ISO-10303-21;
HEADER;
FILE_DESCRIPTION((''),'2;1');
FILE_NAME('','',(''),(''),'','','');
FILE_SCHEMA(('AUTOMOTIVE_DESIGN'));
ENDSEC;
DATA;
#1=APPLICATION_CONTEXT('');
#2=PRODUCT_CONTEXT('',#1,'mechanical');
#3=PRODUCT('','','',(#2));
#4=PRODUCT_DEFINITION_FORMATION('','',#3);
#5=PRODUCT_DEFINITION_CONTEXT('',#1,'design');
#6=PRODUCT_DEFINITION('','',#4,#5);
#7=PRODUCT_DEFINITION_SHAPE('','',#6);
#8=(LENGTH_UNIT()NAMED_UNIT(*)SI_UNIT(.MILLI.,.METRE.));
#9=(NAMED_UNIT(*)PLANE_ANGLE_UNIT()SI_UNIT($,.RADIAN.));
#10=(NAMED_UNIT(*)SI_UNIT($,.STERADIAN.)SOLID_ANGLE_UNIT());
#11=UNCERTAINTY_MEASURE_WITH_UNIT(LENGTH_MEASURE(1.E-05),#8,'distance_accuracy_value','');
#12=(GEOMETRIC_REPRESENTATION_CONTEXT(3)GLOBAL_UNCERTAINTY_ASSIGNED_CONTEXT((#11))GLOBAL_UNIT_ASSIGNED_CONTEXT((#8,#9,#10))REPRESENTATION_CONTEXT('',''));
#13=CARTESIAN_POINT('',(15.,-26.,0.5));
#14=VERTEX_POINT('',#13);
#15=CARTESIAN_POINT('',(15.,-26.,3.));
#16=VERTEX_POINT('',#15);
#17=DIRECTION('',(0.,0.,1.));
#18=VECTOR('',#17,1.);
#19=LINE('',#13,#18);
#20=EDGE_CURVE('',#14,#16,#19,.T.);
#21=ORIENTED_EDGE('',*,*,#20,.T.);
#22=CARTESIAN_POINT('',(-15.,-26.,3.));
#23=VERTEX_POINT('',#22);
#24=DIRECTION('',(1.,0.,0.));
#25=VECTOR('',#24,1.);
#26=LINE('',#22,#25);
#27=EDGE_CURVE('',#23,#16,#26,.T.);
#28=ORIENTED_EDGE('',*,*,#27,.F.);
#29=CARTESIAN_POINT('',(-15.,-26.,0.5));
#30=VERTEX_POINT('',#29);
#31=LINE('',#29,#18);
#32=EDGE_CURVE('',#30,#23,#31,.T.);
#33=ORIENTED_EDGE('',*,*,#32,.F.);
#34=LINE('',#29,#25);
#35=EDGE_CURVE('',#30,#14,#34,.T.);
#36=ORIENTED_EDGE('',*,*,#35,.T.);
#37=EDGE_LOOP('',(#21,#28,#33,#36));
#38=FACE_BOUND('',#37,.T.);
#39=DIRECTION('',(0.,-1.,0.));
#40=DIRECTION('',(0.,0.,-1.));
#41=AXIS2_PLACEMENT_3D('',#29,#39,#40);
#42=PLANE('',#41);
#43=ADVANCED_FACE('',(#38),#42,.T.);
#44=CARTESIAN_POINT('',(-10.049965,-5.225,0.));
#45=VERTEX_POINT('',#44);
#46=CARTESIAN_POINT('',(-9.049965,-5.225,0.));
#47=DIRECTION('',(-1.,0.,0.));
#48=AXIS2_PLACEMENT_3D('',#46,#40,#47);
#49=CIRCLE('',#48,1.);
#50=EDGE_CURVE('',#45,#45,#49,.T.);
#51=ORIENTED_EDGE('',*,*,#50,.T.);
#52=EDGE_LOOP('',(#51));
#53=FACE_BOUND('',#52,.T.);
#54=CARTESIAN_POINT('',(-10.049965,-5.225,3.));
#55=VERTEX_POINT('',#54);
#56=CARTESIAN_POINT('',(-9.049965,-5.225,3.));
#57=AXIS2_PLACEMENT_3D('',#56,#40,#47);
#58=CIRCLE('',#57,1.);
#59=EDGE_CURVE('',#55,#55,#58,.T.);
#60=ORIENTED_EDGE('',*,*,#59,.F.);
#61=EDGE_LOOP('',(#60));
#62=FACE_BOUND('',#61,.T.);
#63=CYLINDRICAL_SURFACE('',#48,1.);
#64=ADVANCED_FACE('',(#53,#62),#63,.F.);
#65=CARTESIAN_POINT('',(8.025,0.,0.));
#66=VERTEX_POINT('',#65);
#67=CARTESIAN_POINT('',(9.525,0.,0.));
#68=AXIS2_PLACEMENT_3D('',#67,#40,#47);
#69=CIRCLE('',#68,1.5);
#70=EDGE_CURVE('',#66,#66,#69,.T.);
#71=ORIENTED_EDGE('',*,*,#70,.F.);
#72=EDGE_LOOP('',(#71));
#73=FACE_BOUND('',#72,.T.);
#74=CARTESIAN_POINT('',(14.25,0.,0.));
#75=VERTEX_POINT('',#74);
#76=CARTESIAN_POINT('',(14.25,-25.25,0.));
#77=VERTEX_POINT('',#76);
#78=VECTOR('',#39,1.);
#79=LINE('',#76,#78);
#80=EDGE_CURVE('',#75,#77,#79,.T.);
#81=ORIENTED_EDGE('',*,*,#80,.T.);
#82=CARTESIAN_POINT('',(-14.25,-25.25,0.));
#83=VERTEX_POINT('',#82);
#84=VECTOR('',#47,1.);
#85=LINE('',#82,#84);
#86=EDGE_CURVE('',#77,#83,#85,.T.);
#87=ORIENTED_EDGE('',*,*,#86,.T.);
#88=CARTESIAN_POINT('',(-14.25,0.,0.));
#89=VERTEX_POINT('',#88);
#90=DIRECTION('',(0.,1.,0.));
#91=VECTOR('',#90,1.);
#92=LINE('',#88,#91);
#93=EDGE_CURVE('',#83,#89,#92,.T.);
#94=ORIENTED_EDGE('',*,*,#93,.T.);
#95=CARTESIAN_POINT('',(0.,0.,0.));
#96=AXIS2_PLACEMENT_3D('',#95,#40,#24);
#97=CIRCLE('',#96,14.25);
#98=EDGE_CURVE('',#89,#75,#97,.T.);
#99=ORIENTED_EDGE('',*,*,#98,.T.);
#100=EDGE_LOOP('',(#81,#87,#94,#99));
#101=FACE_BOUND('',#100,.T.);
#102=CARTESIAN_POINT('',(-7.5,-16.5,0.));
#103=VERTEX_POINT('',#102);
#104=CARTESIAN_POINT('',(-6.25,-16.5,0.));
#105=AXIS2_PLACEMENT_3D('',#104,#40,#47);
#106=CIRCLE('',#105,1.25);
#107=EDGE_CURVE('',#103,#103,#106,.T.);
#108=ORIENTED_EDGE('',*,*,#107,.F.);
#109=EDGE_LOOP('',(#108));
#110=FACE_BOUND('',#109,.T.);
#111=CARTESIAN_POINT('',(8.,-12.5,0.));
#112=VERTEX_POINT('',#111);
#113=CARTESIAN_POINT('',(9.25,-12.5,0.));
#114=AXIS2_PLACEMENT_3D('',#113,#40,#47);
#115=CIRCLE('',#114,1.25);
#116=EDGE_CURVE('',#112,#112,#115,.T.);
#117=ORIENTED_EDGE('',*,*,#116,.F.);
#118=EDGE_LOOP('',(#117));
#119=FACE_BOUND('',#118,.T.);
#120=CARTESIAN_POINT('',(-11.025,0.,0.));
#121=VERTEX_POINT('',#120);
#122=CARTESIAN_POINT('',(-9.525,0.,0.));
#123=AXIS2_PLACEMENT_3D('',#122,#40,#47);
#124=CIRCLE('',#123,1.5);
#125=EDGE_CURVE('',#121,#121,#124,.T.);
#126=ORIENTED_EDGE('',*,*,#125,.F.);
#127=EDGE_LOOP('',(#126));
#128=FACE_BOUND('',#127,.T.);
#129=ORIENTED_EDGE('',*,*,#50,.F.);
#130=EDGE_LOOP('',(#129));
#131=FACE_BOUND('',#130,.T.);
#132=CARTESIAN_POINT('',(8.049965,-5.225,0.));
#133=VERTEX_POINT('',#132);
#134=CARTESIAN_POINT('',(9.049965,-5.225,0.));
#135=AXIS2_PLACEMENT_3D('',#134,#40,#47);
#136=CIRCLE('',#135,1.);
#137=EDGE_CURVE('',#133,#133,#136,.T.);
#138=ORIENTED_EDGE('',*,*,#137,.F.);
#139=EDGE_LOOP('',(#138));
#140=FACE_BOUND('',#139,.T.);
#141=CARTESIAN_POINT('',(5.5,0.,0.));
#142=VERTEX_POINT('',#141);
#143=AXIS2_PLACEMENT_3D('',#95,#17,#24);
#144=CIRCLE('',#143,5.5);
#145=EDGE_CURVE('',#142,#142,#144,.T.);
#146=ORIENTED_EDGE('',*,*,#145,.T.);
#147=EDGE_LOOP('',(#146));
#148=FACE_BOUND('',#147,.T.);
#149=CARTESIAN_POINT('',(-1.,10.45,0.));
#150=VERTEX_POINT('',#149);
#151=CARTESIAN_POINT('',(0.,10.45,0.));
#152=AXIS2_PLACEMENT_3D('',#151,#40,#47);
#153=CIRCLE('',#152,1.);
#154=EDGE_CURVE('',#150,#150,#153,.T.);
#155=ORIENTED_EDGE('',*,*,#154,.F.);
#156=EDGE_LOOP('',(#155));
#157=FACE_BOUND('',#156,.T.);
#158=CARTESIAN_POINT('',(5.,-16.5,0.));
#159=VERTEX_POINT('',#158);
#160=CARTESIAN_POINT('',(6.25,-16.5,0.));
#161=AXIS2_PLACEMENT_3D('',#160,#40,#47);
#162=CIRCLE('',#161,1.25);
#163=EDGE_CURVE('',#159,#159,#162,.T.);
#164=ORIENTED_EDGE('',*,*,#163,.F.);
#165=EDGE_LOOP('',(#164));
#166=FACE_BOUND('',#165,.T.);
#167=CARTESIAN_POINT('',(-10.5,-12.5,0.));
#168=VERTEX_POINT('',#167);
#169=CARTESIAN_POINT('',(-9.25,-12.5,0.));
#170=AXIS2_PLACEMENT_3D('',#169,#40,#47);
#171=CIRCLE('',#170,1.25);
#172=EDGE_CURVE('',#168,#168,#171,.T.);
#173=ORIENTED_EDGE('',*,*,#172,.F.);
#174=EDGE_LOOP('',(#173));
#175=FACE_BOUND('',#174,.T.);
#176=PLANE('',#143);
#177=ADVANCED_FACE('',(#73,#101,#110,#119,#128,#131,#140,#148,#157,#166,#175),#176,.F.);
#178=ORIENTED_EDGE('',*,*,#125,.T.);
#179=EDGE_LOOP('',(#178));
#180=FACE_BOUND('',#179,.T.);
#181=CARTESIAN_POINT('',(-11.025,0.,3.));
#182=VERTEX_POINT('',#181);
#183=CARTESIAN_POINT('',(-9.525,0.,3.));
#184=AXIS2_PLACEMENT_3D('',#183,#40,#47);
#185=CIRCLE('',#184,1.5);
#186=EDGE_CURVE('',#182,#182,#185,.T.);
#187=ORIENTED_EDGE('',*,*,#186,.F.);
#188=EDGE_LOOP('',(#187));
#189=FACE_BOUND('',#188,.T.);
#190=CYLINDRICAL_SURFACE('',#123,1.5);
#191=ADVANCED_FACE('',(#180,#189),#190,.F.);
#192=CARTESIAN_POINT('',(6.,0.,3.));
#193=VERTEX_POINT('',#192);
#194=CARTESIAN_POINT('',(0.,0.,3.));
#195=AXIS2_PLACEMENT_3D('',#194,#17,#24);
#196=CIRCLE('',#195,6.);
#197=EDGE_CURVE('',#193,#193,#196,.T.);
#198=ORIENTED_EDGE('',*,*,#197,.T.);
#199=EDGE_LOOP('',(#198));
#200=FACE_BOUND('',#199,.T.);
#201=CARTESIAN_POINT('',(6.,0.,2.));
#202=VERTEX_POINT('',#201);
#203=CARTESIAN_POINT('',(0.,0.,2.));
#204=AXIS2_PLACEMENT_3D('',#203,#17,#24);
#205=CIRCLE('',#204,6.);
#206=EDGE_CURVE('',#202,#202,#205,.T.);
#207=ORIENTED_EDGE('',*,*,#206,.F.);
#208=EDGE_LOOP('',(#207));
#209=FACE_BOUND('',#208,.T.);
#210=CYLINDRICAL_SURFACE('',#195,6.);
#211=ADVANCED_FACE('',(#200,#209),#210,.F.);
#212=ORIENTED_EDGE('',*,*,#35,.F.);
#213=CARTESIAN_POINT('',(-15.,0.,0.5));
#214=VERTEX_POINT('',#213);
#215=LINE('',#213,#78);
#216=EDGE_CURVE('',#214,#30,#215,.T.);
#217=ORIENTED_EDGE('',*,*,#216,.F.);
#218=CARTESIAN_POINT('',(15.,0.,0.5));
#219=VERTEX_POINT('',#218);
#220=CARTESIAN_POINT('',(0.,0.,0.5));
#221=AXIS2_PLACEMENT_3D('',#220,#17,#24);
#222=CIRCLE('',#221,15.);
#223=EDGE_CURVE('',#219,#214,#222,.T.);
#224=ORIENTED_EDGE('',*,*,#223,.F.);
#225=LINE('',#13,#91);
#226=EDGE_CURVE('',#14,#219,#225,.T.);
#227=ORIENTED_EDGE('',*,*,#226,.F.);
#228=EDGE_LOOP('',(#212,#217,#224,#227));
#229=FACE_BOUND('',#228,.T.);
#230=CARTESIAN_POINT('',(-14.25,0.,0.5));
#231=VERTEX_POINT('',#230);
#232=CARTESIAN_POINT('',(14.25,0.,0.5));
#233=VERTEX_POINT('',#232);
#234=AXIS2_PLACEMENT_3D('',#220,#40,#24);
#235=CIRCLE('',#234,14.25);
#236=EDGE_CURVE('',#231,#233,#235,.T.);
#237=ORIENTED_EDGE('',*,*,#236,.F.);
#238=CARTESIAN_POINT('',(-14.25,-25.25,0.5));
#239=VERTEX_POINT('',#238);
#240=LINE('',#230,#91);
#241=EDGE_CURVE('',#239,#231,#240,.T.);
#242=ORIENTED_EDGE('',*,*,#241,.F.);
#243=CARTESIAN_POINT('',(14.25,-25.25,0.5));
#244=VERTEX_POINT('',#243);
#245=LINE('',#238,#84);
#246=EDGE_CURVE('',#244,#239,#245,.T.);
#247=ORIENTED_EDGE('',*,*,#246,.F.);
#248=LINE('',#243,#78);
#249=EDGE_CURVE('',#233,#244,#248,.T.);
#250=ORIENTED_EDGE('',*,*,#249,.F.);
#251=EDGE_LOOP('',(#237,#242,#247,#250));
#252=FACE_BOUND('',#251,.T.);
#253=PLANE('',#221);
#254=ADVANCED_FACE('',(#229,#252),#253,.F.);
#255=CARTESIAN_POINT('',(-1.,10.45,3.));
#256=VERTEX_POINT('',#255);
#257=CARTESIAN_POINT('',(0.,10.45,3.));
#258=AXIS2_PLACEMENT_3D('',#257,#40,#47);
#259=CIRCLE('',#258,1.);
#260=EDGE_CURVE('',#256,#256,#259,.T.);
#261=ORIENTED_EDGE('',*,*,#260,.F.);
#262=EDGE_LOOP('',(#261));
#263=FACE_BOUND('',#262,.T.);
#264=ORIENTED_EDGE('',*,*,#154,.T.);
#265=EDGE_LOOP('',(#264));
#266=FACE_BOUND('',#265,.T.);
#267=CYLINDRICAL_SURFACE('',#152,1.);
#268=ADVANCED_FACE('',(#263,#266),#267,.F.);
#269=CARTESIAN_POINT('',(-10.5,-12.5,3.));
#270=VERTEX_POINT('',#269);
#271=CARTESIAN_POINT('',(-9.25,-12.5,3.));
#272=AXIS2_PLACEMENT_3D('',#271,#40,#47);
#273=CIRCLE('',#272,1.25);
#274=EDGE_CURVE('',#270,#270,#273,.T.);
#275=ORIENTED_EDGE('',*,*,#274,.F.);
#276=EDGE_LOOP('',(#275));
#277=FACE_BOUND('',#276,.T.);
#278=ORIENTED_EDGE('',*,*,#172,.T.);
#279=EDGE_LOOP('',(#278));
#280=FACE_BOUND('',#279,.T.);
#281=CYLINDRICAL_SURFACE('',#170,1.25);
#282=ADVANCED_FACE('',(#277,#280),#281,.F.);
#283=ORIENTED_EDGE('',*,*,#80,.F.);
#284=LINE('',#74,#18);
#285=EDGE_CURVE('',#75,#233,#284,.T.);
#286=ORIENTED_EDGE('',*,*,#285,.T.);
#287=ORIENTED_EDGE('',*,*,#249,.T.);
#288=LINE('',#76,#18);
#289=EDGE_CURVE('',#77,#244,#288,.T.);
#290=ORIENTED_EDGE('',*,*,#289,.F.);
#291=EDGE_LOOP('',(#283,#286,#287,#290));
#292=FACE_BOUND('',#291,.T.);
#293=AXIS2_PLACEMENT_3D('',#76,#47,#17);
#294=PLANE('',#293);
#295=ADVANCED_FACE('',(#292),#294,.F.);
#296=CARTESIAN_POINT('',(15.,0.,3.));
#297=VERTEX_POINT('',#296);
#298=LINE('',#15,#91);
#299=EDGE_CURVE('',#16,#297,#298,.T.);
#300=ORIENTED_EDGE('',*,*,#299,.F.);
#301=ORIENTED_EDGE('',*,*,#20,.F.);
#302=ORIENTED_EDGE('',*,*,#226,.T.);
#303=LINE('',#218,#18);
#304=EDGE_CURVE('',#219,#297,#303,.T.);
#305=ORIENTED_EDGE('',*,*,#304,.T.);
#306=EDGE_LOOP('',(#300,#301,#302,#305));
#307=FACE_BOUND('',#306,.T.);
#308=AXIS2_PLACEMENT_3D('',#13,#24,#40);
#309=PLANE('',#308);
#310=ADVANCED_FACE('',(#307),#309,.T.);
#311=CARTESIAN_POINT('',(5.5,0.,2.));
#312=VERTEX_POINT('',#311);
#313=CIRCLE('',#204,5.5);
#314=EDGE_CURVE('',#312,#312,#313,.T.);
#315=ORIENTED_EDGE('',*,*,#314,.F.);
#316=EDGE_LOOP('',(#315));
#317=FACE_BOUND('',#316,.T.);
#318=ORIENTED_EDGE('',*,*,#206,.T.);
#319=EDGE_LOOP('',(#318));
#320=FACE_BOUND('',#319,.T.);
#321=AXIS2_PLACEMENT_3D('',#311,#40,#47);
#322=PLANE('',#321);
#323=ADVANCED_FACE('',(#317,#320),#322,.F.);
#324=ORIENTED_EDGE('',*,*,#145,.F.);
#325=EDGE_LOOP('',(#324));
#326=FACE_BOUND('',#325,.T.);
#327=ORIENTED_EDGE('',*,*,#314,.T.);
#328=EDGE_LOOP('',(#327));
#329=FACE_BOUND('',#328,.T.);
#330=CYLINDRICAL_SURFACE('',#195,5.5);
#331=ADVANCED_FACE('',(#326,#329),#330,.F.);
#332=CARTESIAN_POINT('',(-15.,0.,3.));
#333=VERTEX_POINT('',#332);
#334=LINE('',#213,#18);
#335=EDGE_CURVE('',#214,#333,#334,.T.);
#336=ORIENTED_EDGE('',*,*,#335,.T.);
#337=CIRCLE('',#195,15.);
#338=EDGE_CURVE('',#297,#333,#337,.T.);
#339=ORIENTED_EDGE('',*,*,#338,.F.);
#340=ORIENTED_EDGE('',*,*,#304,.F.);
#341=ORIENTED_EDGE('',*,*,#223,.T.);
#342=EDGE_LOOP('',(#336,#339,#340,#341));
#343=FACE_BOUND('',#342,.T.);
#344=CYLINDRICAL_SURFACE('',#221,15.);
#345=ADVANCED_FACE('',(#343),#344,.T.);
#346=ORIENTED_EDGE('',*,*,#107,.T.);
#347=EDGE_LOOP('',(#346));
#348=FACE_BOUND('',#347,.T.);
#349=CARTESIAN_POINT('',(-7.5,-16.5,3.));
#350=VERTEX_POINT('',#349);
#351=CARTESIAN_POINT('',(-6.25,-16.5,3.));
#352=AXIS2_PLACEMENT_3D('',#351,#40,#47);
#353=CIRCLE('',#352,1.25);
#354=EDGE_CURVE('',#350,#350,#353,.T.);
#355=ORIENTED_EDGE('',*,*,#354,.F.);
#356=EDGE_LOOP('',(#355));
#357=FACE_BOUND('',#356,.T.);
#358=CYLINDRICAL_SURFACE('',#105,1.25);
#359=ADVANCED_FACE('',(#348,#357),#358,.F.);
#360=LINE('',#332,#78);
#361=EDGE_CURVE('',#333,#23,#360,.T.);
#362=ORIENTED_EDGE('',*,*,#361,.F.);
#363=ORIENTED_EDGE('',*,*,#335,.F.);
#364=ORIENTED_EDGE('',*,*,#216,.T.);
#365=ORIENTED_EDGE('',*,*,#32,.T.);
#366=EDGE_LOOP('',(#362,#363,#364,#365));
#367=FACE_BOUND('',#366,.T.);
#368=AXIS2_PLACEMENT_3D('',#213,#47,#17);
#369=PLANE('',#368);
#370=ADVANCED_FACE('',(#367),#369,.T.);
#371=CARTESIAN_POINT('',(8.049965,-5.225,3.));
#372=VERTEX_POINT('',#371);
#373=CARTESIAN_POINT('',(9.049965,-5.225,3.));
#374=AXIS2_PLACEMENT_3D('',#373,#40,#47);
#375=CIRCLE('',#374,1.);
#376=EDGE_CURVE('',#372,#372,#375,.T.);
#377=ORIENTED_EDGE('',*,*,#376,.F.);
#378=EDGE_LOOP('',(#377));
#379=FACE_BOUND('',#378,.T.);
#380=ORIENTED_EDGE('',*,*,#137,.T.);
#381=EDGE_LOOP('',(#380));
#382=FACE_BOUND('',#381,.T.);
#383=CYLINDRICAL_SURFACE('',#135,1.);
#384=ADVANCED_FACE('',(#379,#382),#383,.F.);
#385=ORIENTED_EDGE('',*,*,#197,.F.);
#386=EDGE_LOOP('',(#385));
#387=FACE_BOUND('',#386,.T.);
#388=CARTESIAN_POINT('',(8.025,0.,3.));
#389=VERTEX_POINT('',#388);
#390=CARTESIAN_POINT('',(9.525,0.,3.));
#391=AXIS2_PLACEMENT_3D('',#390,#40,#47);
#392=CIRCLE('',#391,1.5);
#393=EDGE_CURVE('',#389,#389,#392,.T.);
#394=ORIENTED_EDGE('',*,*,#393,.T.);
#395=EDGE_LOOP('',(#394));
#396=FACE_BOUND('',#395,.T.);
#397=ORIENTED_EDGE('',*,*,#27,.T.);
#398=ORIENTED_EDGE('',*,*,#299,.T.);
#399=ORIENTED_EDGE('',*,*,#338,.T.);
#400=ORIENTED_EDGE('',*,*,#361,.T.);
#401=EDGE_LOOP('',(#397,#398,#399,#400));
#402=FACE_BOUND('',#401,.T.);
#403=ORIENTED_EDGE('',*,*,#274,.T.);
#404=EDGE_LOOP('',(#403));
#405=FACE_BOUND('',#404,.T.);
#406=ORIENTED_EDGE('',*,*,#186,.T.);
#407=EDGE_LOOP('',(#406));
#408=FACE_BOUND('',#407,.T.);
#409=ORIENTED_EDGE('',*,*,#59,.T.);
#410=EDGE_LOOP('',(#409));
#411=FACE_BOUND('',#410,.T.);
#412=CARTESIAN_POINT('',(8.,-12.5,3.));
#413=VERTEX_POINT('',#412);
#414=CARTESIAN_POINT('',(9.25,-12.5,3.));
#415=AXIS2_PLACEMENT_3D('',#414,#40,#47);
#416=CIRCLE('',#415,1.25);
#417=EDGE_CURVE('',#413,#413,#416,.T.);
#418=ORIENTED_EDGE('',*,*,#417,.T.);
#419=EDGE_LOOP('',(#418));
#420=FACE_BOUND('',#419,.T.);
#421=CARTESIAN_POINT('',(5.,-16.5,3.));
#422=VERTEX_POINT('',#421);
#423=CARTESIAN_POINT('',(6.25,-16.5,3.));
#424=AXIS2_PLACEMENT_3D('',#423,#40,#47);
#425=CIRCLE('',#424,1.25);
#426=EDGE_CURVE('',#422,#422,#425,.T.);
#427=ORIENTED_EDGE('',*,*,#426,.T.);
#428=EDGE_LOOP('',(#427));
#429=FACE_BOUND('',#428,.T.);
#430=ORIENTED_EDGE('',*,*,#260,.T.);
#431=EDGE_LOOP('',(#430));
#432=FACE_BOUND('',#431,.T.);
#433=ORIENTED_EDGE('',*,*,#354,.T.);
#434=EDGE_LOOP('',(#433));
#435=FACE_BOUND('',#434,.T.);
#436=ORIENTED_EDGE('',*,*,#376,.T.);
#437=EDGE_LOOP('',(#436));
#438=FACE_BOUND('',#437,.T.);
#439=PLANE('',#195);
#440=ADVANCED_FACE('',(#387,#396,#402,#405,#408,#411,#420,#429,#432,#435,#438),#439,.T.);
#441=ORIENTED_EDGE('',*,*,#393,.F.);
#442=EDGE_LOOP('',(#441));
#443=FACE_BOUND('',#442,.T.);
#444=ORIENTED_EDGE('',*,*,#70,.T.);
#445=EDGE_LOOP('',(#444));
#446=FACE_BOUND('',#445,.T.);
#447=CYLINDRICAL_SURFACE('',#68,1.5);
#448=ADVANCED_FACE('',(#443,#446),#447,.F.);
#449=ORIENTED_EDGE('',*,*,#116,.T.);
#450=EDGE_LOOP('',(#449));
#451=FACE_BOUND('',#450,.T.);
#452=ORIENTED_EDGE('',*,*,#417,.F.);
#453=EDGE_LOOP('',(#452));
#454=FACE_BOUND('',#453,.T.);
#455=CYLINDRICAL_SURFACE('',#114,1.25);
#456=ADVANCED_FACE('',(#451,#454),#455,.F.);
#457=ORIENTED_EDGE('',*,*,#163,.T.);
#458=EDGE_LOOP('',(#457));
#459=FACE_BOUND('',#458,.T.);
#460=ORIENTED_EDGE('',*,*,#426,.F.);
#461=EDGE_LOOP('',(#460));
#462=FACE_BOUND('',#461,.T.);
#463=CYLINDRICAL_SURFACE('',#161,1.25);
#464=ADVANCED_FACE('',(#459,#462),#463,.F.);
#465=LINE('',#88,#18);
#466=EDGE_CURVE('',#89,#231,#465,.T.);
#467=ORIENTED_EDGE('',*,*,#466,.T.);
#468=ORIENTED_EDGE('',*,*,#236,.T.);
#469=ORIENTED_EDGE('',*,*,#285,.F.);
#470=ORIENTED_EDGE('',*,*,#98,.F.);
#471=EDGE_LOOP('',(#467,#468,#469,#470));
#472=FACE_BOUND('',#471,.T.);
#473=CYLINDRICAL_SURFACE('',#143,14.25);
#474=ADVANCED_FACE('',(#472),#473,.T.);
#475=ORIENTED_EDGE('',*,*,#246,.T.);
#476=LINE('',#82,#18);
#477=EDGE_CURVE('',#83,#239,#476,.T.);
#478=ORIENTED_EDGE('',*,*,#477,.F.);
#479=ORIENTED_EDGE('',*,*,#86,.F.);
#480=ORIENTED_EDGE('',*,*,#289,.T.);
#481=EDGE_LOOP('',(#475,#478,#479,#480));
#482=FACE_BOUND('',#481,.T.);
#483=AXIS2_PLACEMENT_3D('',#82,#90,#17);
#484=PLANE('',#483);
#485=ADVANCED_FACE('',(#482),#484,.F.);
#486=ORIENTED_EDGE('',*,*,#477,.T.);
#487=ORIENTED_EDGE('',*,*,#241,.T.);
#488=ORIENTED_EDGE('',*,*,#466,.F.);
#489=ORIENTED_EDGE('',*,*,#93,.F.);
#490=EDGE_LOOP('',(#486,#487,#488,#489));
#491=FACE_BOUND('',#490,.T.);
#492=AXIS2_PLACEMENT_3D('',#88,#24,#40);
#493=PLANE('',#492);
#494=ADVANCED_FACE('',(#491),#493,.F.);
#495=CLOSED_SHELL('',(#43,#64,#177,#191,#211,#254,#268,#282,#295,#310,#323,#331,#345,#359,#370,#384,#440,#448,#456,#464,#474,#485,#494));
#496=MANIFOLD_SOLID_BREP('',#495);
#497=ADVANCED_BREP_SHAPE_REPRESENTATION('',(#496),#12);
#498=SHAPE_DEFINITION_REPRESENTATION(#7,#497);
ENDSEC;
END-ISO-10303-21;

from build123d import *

# Parameters (mm, degrees)
BOSS_EXTRUDE1_DEPTH                      = 2.5
BOSS_EXTRUDE2_DEPTH                      = 0.5
F_2_5_2_5_DIAMETER_HOLE1_D               = 2.5
F_3_0_3_DIAMETER_HOLE1_D                 = 3
F_2_0_2_DIAMETER_HOLE1_D                 = 2
CBORE_FOR_M10_HEX_HEAD_BOLT1_D           = 11
CBORE_FOR_M10_HEX_HEAD_BOLT1_CBORE_D     = 12
CBORE_FOR_M10_HEX_HEAD_BOLT1_CBORE_DEPTH = 1


with BuildPart() as part:
    # Sketch1 → Boss-Extrude1 (new body)
    with BuildSketch(Plane.XY.offset(3)):
        with BuildLine():
            Line((-15, 0), (-15, -26))
            Line((-15, -26), (15, -26))
            Line((15, -26), (15, 0))
            ThreePointArc((15, 0), (0, 15), (-15, 0))
        make_face()
    extrude(amount=-BOSS_EXTRUDE1_DEPTH)

    # Sketch2 → Boss-Extrude2 (add)
    with BuildSketch(Plane(origin=(0, 0, 0.5), x_dir=(-1, 0, 0), z_dir=(0, 0, -1))):
        with BuildLine():
            Line((-14.25, -25.25), (-14.25, 0))
            ThreePointArc((-14.25, 0), (0, 14.25), (14.25, 0))
            Line((14.25, 0), (14.25, -25.25))
            Line((14.25, -25.25), (-14.25, -25.25))
        make_face()
    extrude(amount=BOSS_EXTRUDE2_DEPTH)

    # Ø2.5 (2.5) Diameter Hole1 (through all)
    with Locations(Plane(origin=(0, 0, 0), x_dir=(-1, 0, 0), z_dir=(0, 0, -1))):
        with Locations((9.25, -12.5), (-9.25, -12.5), (6.25, -16.5), (-6.25, -16.5)):
            Hole(F_2_5_2_5_DIAMETER_HOLE1_D / 2)

    # Ø3.0 (3) Diameter Hole1 (through all)
    with Locations(Plane(origin=(0, 0, 0), x_dir=(-1, 0, 0), z_dir=(0, 0, -1))):
        with Locations((-9.525, 0), (9.525, 0)):
            Hole(F_3_0_3_DIAMETER_HOLE1_D / 2)

    # Ø2.0 (2) Diameter Hole1 (through all)
    with Locations(Plane(origin=(0, 0, 0), x_dir=(-1, 0, 0), z_dir=(0, 0, -1))):
        with Locations((0, 10.45), (9.04996547, -5.225), (-9.04996547, -5.225)):
            Hole(F_2_0_2_DIAMETER_HOLE1_D / 2)

    # CBORE for M10 Hex Head Bolt1 (through all)
    with Locations(Plane.XY.offset(3)):
        with Locations((0, 0)):
            CounterBoreHole(CBORE_FOR_M10_HEX_HEAD_BOLT1_D / 2, CBORE_FOR_M10_HEX_HEAD_BOLT1_CBORE_D / 2, CBORE_FOR_M10_HEX_HEAD_BOLT1_CBORE_DEPTH)


solid = part.part
